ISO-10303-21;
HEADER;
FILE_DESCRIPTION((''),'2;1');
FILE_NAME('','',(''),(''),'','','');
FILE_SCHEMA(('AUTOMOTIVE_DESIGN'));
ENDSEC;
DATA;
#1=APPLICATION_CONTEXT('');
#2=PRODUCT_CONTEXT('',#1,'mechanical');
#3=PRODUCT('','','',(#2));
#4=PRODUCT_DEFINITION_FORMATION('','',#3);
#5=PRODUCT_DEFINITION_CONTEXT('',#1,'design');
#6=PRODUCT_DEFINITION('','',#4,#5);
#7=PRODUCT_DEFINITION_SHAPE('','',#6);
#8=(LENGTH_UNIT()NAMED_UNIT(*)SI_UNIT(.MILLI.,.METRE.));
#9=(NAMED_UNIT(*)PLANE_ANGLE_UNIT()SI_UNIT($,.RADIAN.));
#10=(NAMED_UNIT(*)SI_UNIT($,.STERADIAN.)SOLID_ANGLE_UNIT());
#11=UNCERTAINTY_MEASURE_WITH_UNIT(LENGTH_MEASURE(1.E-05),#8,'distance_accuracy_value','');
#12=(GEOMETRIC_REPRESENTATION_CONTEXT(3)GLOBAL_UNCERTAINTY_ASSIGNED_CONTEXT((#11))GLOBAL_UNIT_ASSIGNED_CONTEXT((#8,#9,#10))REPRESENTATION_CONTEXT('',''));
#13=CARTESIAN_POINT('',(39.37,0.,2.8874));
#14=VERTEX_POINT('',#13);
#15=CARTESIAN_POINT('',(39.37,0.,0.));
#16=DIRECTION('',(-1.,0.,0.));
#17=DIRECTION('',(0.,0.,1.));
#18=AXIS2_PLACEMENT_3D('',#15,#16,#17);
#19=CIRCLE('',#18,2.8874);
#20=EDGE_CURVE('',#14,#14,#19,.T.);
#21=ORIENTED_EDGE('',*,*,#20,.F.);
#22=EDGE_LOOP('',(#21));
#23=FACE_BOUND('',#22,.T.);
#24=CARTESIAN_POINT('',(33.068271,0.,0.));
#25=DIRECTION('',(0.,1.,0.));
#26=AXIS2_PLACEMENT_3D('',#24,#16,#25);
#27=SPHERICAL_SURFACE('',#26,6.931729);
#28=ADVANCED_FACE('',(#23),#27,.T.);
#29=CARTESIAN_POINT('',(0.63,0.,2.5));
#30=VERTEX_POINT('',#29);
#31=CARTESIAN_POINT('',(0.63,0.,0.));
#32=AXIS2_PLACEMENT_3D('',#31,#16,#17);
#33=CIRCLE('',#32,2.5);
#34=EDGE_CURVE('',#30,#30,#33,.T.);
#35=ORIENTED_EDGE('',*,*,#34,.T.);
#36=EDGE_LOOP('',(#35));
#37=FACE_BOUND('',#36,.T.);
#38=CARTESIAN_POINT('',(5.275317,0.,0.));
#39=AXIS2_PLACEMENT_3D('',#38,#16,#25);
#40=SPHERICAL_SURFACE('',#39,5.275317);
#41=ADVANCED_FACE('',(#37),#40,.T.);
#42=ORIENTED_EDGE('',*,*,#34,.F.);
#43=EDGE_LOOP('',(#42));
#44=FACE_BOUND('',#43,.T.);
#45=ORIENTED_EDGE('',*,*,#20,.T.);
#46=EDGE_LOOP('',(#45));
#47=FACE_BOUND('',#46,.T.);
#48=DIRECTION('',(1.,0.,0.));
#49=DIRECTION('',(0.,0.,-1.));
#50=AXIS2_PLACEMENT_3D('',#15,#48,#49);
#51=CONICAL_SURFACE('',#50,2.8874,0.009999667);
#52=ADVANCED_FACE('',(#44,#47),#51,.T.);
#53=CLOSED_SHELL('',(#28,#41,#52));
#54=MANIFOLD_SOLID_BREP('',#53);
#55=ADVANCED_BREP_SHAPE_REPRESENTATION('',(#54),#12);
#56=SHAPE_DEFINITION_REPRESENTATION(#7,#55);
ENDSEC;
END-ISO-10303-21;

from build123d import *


with BuildPart() as part:
    # BodySke → Body (revolve)
    with BuildSketch(Plane.XY):
        with BuildLine():
            Line((0.63, 2.5), (39.37, 2.8874))
            ThreePointArc((39.37, 2.8874), (39.840668825, 1.477665283), (40, 0))
            Line((40, 0), (0, 0))
            ThreePointArc((0, 0), (0.159924093, 1.289079129), (0.63, 2.5))
        make_face()
    revolve(axis=Axis((0, 0, 0), (1, 0, 0)))


solid = part.part
